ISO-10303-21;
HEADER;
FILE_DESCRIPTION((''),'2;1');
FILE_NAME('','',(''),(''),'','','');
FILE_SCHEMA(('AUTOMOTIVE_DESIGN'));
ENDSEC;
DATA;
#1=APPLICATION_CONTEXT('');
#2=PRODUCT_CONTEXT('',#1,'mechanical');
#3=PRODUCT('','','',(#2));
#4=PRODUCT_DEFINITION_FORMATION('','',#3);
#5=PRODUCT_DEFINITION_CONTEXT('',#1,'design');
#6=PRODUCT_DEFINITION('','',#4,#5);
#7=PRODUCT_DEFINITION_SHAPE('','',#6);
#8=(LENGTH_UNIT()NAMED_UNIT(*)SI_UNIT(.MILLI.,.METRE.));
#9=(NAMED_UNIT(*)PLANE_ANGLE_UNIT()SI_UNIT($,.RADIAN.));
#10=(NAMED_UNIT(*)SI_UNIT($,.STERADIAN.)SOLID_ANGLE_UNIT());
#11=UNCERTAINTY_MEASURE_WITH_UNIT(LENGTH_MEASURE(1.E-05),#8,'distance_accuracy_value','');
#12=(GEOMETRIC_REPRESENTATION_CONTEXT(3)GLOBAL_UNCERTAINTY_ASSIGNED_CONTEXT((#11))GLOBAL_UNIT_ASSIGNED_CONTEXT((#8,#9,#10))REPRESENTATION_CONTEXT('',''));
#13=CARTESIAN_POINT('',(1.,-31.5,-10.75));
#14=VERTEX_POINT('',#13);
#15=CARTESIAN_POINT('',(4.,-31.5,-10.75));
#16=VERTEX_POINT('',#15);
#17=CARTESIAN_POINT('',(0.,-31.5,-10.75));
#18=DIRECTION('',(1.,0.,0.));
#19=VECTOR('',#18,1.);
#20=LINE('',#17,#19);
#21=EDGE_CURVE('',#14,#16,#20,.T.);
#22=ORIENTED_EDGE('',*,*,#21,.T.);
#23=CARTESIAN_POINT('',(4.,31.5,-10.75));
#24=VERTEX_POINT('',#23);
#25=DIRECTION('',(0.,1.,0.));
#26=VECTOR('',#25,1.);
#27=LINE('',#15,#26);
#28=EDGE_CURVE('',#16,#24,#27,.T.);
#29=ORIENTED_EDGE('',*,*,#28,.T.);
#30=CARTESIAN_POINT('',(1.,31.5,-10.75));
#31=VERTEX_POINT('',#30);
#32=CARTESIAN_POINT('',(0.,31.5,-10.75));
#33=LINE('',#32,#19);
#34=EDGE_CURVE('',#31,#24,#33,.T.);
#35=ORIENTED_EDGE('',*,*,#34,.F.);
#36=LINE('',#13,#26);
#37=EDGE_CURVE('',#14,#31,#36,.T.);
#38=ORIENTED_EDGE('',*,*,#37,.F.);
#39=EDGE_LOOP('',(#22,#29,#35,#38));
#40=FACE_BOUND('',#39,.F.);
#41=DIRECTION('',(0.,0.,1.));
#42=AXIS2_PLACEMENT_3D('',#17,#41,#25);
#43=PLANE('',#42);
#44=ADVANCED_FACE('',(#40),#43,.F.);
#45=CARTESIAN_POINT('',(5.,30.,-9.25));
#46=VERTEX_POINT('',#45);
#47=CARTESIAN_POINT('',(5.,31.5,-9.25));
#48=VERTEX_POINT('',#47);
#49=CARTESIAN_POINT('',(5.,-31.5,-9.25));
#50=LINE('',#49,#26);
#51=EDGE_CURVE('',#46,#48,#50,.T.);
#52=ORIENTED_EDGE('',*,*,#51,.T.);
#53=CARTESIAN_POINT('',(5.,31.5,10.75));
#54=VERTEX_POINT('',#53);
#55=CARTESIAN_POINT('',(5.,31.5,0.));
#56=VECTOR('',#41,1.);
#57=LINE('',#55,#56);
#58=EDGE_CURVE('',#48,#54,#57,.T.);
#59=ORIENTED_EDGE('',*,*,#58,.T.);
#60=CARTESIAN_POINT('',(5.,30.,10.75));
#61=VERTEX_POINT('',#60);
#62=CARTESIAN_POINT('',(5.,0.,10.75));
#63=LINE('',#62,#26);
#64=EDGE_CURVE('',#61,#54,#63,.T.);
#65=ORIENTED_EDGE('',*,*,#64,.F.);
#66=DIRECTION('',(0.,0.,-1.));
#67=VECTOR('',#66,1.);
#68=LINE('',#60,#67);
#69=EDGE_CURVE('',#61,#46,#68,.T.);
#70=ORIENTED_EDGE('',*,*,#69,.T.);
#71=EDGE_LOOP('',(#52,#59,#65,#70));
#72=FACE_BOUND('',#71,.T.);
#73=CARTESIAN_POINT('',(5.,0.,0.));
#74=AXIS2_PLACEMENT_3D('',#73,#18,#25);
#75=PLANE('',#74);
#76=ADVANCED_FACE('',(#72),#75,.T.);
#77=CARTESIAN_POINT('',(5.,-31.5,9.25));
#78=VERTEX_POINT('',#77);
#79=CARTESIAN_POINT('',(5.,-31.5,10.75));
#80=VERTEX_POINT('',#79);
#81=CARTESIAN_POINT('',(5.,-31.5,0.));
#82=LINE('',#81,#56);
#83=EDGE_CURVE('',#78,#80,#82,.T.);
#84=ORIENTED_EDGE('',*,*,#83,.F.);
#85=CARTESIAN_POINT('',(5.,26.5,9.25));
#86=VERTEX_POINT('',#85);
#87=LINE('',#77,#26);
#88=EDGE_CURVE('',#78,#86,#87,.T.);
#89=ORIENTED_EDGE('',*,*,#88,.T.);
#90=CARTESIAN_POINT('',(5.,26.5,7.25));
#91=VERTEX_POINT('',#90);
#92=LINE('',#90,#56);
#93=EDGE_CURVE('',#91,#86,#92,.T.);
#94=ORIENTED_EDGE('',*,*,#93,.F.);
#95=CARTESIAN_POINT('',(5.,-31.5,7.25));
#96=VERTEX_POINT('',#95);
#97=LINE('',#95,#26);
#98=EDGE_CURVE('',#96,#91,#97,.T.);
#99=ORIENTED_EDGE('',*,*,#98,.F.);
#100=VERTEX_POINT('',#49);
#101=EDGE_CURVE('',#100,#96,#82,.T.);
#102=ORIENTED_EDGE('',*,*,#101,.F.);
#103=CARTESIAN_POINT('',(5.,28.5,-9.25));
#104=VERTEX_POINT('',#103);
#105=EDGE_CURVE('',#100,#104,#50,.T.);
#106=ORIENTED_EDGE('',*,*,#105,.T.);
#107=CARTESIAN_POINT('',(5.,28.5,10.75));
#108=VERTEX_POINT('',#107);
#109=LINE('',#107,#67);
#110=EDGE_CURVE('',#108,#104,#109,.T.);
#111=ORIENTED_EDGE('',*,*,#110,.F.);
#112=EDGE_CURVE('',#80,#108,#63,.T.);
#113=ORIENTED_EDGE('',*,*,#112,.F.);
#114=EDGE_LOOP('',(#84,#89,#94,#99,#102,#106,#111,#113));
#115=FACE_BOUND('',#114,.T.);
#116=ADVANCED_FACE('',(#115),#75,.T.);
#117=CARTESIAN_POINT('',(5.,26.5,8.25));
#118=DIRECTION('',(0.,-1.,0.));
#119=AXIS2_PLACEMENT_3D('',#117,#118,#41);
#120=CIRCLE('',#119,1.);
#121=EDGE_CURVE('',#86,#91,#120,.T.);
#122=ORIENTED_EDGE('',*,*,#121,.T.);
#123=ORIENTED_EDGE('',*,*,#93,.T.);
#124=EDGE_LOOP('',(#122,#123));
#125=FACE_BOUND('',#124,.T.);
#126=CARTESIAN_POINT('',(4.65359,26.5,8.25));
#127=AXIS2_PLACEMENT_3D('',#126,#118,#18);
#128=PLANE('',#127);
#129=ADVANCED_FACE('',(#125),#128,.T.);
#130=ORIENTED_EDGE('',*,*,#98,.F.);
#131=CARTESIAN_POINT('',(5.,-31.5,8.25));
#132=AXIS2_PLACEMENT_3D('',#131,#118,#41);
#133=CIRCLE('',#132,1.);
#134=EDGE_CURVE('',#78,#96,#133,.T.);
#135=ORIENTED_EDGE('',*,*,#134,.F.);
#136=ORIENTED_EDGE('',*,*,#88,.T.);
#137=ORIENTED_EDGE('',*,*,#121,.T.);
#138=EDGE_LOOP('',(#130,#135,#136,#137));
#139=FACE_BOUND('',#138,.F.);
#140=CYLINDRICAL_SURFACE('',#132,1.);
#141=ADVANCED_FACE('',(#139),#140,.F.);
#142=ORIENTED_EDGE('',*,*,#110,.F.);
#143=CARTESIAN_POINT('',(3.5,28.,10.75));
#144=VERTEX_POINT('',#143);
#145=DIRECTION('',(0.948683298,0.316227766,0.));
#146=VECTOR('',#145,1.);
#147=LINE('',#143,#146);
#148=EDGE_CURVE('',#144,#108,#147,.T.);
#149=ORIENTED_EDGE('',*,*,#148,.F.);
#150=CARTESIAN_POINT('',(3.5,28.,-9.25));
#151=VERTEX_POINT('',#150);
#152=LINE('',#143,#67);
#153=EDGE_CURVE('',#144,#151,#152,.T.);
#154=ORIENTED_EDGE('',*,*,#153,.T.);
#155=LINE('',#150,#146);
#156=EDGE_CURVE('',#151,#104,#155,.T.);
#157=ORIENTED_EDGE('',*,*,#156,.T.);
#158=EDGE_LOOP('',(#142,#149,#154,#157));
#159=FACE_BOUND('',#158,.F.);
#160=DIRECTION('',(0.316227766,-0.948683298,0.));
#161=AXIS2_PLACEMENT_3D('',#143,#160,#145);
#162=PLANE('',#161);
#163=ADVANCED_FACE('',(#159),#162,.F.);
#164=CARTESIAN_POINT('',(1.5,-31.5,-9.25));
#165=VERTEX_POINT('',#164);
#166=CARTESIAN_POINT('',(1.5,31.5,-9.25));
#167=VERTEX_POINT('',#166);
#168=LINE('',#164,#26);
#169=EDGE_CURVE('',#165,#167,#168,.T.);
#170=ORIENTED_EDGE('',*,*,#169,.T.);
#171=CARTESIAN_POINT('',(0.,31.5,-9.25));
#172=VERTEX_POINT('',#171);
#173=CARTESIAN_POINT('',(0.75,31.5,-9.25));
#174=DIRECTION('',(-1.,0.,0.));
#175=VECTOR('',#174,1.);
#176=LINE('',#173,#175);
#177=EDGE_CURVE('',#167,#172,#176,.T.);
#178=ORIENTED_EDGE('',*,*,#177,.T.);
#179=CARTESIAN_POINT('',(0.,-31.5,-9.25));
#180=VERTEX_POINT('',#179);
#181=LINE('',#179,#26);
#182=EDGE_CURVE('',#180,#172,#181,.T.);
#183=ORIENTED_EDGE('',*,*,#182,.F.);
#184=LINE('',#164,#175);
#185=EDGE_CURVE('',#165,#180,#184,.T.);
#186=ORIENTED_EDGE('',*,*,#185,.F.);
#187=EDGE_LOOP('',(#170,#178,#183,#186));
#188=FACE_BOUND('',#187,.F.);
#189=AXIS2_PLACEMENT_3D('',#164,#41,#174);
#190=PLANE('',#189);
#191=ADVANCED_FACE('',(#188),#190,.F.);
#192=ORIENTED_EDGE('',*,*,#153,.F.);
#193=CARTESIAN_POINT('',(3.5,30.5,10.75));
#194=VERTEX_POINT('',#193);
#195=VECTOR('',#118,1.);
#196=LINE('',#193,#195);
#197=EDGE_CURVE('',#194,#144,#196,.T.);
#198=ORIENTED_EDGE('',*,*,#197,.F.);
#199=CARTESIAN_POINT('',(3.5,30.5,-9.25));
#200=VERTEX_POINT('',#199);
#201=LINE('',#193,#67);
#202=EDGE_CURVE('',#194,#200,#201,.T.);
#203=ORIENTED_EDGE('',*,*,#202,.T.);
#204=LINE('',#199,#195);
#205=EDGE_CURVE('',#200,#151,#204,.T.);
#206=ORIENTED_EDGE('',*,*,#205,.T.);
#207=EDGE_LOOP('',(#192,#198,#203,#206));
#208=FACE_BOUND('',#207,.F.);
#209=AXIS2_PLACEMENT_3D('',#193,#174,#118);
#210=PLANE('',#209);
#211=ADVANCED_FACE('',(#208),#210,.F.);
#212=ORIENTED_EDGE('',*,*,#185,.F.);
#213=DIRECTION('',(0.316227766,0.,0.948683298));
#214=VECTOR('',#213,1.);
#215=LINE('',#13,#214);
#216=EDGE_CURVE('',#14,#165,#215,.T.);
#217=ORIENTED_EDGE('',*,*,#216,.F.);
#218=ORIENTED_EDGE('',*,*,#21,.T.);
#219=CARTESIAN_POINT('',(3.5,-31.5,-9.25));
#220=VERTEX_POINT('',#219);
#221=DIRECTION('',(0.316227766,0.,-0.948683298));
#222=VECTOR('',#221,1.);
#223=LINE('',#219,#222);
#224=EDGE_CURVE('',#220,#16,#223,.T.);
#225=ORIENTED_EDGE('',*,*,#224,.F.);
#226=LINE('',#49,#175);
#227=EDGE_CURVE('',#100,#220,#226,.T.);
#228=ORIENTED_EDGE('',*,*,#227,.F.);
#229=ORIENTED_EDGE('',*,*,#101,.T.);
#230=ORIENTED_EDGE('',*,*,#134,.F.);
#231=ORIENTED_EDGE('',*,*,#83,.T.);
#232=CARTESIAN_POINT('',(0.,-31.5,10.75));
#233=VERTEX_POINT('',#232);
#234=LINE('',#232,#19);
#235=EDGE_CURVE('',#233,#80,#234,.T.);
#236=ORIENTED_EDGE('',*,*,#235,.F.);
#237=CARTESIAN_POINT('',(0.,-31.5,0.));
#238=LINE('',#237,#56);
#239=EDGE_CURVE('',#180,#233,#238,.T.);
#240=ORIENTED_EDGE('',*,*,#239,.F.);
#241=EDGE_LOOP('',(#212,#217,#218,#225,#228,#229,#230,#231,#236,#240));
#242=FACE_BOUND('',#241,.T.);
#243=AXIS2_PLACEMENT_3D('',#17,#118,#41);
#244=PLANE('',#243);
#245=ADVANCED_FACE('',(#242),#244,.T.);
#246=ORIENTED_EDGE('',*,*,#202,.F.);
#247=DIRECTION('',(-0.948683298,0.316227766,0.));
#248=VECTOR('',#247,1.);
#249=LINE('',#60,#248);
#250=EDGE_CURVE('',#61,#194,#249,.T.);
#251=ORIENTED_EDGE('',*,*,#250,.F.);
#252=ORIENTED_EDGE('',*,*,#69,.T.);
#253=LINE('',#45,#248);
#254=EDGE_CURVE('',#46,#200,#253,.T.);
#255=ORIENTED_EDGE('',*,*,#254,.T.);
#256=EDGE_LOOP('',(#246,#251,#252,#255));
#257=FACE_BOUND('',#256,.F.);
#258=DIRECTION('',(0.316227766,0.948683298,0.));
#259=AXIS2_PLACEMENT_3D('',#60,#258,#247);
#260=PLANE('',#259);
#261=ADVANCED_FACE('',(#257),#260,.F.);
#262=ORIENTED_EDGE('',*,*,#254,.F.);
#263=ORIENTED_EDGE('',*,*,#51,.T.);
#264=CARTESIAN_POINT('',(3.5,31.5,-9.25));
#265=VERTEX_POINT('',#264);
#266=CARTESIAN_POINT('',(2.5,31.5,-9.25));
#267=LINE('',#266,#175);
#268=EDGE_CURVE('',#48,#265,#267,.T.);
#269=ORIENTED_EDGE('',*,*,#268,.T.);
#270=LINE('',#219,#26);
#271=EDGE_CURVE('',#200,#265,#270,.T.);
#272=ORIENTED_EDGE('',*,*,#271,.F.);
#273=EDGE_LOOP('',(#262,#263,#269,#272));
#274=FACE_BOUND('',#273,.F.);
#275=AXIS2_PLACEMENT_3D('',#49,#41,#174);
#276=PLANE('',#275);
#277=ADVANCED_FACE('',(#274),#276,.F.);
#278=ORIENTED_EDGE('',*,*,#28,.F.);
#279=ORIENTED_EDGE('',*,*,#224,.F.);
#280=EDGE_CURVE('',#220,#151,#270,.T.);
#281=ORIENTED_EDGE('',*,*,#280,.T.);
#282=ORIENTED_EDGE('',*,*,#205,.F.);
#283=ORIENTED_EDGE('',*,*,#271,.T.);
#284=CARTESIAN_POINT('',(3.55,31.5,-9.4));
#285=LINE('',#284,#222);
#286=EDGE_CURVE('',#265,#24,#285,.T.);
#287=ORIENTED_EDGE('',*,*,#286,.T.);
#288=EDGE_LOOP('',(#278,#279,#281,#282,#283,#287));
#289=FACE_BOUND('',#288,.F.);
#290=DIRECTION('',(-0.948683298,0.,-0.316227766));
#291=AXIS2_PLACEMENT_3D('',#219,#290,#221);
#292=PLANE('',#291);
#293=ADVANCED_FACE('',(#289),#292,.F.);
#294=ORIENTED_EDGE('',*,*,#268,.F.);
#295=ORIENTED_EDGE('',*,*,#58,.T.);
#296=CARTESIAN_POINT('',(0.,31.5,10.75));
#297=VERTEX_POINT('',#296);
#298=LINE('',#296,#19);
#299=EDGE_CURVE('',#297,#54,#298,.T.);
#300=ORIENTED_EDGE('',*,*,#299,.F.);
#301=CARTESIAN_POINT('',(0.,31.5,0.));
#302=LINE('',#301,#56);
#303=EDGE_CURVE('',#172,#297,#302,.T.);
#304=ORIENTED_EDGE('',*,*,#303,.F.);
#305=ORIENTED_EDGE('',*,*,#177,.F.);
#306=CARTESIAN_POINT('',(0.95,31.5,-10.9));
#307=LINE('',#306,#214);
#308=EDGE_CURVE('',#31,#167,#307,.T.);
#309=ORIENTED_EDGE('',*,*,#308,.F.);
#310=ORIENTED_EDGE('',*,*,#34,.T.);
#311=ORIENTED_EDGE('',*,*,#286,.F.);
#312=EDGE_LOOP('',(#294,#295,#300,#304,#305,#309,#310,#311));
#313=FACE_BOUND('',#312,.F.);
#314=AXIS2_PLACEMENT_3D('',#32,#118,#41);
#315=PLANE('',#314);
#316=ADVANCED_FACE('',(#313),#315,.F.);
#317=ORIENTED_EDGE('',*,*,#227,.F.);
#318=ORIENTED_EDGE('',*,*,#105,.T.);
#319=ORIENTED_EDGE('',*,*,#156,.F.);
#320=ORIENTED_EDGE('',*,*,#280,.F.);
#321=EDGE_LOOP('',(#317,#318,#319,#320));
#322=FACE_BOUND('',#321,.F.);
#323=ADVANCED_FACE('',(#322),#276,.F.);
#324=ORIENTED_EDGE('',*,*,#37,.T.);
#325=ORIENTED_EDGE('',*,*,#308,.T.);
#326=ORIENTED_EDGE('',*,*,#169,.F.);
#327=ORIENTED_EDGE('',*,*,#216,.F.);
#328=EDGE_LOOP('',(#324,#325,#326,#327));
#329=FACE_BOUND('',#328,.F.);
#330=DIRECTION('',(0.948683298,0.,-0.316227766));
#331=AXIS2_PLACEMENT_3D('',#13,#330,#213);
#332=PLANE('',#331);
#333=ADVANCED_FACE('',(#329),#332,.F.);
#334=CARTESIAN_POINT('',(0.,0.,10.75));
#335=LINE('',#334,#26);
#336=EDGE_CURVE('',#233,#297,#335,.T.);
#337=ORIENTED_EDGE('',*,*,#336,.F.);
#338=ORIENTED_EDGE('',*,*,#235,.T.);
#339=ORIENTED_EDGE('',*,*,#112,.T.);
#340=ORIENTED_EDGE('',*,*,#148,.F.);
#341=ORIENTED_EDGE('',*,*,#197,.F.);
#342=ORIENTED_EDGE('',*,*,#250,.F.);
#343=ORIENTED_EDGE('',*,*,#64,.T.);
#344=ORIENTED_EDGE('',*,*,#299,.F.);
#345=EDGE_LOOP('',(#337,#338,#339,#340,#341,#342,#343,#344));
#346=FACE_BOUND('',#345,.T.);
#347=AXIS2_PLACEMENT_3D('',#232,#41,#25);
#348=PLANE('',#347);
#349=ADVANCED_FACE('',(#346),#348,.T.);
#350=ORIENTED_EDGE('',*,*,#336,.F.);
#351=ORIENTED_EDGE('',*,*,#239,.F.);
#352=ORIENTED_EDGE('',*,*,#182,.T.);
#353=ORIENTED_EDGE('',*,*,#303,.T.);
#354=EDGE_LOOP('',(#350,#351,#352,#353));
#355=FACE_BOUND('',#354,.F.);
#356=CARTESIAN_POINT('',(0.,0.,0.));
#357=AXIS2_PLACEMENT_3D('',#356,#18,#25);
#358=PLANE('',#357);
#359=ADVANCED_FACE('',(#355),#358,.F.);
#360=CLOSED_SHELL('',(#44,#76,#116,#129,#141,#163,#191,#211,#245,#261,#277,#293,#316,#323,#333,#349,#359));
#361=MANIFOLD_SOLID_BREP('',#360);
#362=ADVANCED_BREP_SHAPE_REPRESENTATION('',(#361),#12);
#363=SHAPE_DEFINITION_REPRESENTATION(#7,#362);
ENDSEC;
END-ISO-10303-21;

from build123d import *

# Parameters (mm, degrees)
F0_W     = 63
F0_H     = 21.5
F1_DEPTH = 5
F3_DEPTH = 58
F4_DEPTH = 63.001
F6_DEPTH = 20


with BuildPart() as f1:
    # F0 (on Right) → F1 (new body)
    with BuildSketch(Plane.YZ):
        Rectangle(F0_W, F0_H)
    extrude(amount=F1_DEPTH)

    # F2 (on face) → F3 (cut)
    with BuildSketch(Plane.XZ.offset(31.5)):
        with BuildLine():
            Line((5, 7.25), (5, 9.25))
            ThreePointArc((5, 9.25), (4, 8.25), (5, 7.25))
        make_face()
    extrude(amount=-F3_DEPTH, mode=Mode.SUBTRACT)

    # F2 (on face) → F4 (cut, through all)
    with BuildSketch(Plane.XZ.offset(31.5)):
        Polygon((1.5, -9.25), (0, -9.25), (0, -10.75), (1, -10.75), align=None)
        Polygon((3.5, -9.25), (4, -10.75), (5, -10.75), (5, -9.25), align=None)
    extrude(amount=-F4_DEPTH, mode=Mode.SUBTRACT)

    # F5 (on face) → F6 (cut, through all)
    with BuildSketch(Plane.XY.offset(10.75)):
        Polygon((5, 28.5), (5, 30), (3.5, 30.5), (3.5, 28), align=None)
    extrude(amount=-F6_DEPTH, mode=Mode.SUBTRACT)


solid = f1.part
